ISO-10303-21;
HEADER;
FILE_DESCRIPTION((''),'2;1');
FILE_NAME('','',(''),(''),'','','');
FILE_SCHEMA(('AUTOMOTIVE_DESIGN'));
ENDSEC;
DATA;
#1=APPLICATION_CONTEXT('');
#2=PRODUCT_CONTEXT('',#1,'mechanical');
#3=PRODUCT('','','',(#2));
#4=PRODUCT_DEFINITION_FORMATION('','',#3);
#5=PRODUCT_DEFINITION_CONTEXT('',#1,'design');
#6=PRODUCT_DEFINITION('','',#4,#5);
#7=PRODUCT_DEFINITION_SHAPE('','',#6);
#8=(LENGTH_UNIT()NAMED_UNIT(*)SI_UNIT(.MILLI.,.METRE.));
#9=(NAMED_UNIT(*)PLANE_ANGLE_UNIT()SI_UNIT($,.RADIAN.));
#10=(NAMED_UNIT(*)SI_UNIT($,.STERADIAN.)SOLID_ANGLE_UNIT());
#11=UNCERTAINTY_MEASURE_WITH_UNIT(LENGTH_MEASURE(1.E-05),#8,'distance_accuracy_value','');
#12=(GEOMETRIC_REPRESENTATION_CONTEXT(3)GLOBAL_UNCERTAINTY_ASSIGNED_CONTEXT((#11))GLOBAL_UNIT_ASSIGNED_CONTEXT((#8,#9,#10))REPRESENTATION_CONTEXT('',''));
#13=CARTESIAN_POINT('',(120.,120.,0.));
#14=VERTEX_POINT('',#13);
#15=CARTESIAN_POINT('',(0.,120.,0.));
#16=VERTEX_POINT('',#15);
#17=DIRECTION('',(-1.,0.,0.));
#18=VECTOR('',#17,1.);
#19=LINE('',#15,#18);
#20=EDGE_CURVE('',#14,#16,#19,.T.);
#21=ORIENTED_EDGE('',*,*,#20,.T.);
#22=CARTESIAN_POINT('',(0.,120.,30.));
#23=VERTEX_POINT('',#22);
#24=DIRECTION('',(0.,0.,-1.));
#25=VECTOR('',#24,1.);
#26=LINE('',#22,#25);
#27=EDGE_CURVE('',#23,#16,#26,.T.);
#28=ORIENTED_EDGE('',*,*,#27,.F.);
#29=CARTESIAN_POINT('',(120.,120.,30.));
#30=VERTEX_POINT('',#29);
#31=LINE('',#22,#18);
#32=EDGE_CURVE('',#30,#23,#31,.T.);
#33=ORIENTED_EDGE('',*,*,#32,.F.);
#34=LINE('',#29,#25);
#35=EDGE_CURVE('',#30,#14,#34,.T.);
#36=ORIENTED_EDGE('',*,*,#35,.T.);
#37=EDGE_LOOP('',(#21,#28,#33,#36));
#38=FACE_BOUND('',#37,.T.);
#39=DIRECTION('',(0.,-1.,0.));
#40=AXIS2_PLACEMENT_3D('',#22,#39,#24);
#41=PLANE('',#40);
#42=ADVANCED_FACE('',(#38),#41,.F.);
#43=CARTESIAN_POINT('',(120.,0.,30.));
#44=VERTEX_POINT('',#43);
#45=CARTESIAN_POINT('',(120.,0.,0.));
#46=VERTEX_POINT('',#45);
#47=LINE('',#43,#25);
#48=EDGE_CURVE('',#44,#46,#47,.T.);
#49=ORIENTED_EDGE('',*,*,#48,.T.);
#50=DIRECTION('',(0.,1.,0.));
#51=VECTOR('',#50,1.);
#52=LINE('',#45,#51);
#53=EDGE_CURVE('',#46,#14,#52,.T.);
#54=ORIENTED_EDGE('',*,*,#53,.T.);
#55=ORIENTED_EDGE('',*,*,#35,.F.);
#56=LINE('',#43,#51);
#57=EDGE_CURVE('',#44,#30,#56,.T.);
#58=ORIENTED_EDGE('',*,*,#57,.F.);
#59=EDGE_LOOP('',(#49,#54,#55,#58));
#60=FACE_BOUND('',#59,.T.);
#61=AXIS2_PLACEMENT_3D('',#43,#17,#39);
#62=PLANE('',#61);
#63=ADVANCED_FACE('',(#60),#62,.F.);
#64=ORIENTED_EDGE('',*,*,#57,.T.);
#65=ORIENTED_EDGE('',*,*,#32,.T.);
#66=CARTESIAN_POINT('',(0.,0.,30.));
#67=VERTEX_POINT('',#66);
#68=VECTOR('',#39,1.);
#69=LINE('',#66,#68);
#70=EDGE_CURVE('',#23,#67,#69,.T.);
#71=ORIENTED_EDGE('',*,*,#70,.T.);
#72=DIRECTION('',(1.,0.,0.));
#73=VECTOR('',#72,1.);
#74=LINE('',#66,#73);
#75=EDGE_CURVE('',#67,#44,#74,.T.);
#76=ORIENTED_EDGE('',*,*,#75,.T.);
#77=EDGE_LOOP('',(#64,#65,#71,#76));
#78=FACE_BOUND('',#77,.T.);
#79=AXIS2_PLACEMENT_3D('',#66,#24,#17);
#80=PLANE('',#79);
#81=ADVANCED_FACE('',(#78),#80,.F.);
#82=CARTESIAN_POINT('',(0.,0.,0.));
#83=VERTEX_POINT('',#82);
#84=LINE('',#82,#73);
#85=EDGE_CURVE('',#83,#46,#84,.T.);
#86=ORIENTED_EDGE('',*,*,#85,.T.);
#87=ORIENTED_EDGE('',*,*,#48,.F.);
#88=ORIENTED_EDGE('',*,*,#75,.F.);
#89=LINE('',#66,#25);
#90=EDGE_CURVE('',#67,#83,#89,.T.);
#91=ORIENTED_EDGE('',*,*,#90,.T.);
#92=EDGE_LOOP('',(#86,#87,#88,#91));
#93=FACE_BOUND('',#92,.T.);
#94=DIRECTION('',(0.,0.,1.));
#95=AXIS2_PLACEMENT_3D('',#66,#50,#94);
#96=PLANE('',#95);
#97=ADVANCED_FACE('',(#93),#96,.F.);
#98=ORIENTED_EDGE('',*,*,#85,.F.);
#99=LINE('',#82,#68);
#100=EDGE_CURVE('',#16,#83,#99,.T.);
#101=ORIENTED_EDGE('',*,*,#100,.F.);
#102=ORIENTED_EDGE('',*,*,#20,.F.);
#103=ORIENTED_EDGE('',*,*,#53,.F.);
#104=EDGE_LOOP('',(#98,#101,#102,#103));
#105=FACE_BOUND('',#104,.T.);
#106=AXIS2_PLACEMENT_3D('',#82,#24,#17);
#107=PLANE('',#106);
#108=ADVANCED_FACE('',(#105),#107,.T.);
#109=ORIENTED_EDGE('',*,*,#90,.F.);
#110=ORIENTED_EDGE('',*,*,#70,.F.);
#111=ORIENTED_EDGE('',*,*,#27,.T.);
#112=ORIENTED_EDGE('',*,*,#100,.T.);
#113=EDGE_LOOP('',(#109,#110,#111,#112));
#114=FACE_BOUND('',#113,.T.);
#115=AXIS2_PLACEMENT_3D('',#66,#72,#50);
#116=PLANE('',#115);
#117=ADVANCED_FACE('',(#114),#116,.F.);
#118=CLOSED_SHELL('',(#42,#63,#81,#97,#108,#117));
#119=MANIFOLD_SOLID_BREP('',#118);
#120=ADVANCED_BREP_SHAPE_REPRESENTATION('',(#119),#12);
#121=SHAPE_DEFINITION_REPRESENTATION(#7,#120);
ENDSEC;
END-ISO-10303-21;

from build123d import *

# Parameters (mm, degrees)
ESQUISSE3_W        = 120
ESQUISSE3_H        = 120
BOSS_EXTRU_1_DEPTH = 30


with BuildPart() as part:
    # Esquisse3 → Boss.-Extru.1 (new body)
    with BuildSketch(Plane.XY):
        with Locations((60, 60)):
            Rectangle(ESQUISSE3_W, ESQUISSE3_H)
    extrude(amount=BOSS_EXTRU_1_DEPTH)


solid = part.part
